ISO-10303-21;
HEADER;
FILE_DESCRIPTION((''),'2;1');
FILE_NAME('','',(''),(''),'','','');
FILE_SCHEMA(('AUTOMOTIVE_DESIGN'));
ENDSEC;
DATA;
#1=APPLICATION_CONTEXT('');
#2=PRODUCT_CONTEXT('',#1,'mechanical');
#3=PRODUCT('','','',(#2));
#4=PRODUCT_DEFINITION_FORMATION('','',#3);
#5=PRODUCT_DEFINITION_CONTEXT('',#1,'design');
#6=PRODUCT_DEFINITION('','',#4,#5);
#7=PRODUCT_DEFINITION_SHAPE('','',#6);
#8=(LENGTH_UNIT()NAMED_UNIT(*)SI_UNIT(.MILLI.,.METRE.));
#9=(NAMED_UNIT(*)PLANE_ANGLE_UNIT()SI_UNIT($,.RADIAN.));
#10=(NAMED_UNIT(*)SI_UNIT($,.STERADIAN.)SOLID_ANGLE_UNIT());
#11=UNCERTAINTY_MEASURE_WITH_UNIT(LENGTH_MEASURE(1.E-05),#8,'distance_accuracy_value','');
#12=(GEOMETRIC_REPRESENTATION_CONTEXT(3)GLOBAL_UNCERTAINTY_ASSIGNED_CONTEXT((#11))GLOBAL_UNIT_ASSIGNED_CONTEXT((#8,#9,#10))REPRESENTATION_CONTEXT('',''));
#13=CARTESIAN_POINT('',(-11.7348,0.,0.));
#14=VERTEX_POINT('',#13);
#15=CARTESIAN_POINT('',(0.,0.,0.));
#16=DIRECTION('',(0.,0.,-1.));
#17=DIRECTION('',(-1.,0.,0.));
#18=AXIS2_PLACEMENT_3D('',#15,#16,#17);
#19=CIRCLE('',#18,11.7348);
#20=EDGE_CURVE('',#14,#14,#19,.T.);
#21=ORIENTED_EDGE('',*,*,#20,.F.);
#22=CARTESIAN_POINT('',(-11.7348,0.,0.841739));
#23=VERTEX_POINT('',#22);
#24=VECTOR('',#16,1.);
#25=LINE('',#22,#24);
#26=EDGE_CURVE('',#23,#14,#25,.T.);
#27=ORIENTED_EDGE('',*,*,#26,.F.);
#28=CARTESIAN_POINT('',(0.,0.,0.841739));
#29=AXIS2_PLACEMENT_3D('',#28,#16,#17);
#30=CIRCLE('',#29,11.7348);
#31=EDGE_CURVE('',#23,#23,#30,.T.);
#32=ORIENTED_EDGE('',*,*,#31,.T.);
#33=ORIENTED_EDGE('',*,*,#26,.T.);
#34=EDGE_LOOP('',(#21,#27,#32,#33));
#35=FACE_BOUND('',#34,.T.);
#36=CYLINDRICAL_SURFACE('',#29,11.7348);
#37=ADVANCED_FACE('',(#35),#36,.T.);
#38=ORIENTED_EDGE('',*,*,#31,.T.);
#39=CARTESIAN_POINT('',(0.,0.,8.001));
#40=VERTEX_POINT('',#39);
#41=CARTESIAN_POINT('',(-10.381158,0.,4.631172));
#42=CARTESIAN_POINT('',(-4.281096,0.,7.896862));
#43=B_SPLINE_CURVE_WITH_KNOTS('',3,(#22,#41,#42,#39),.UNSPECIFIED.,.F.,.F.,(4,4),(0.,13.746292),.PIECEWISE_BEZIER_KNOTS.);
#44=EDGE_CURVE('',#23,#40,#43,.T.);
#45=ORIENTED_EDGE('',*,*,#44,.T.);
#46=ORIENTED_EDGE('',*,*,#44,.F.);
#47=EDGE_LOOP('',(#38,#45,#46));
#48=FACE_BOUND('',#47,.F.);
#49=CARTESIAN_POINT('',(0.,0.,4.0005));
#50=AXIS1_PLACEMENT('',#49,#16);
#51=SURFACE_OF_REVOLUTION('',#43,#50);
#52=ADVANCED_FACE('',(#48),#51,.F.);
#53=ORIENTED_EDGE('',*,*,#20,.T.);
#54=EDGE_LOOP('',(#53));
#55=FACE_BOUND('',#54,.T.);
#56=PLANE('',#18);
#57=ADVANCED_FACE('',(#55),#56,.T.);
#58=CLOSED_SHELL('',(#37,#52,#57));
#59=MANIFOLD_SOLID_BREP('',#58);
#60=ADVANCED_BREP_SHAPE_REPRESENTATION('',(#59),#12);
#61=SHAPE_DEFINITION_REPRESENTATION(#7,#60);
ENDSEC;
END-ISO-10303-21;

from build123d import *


with BuildPart() as f1:
    # F0 (on Front) → F1 (revolve)
    with BuildSketch(Plane.XZ):
        with BuildLine():
            Line((-11.7348, 0), (0, 0))
            Line((0, 0), (0, 8.001))
            add(Edge.make_bspline(
                [(-11.7348, 0.841739), (-10.381158, 4.631172), (-4.281096, 7.896862), (0, 8.001)],
                knots=[0, 0, 0, 0, 13.746292, 13.746292, 13.746292, 13.746292], degree=3))
            Line((-11.7348, 0.841739), (-11.7348, 0))
        make_face()
    revolve(axis=Axis((0, 0, 4.0005), (0, 0, -1)))


solid = f1.part
